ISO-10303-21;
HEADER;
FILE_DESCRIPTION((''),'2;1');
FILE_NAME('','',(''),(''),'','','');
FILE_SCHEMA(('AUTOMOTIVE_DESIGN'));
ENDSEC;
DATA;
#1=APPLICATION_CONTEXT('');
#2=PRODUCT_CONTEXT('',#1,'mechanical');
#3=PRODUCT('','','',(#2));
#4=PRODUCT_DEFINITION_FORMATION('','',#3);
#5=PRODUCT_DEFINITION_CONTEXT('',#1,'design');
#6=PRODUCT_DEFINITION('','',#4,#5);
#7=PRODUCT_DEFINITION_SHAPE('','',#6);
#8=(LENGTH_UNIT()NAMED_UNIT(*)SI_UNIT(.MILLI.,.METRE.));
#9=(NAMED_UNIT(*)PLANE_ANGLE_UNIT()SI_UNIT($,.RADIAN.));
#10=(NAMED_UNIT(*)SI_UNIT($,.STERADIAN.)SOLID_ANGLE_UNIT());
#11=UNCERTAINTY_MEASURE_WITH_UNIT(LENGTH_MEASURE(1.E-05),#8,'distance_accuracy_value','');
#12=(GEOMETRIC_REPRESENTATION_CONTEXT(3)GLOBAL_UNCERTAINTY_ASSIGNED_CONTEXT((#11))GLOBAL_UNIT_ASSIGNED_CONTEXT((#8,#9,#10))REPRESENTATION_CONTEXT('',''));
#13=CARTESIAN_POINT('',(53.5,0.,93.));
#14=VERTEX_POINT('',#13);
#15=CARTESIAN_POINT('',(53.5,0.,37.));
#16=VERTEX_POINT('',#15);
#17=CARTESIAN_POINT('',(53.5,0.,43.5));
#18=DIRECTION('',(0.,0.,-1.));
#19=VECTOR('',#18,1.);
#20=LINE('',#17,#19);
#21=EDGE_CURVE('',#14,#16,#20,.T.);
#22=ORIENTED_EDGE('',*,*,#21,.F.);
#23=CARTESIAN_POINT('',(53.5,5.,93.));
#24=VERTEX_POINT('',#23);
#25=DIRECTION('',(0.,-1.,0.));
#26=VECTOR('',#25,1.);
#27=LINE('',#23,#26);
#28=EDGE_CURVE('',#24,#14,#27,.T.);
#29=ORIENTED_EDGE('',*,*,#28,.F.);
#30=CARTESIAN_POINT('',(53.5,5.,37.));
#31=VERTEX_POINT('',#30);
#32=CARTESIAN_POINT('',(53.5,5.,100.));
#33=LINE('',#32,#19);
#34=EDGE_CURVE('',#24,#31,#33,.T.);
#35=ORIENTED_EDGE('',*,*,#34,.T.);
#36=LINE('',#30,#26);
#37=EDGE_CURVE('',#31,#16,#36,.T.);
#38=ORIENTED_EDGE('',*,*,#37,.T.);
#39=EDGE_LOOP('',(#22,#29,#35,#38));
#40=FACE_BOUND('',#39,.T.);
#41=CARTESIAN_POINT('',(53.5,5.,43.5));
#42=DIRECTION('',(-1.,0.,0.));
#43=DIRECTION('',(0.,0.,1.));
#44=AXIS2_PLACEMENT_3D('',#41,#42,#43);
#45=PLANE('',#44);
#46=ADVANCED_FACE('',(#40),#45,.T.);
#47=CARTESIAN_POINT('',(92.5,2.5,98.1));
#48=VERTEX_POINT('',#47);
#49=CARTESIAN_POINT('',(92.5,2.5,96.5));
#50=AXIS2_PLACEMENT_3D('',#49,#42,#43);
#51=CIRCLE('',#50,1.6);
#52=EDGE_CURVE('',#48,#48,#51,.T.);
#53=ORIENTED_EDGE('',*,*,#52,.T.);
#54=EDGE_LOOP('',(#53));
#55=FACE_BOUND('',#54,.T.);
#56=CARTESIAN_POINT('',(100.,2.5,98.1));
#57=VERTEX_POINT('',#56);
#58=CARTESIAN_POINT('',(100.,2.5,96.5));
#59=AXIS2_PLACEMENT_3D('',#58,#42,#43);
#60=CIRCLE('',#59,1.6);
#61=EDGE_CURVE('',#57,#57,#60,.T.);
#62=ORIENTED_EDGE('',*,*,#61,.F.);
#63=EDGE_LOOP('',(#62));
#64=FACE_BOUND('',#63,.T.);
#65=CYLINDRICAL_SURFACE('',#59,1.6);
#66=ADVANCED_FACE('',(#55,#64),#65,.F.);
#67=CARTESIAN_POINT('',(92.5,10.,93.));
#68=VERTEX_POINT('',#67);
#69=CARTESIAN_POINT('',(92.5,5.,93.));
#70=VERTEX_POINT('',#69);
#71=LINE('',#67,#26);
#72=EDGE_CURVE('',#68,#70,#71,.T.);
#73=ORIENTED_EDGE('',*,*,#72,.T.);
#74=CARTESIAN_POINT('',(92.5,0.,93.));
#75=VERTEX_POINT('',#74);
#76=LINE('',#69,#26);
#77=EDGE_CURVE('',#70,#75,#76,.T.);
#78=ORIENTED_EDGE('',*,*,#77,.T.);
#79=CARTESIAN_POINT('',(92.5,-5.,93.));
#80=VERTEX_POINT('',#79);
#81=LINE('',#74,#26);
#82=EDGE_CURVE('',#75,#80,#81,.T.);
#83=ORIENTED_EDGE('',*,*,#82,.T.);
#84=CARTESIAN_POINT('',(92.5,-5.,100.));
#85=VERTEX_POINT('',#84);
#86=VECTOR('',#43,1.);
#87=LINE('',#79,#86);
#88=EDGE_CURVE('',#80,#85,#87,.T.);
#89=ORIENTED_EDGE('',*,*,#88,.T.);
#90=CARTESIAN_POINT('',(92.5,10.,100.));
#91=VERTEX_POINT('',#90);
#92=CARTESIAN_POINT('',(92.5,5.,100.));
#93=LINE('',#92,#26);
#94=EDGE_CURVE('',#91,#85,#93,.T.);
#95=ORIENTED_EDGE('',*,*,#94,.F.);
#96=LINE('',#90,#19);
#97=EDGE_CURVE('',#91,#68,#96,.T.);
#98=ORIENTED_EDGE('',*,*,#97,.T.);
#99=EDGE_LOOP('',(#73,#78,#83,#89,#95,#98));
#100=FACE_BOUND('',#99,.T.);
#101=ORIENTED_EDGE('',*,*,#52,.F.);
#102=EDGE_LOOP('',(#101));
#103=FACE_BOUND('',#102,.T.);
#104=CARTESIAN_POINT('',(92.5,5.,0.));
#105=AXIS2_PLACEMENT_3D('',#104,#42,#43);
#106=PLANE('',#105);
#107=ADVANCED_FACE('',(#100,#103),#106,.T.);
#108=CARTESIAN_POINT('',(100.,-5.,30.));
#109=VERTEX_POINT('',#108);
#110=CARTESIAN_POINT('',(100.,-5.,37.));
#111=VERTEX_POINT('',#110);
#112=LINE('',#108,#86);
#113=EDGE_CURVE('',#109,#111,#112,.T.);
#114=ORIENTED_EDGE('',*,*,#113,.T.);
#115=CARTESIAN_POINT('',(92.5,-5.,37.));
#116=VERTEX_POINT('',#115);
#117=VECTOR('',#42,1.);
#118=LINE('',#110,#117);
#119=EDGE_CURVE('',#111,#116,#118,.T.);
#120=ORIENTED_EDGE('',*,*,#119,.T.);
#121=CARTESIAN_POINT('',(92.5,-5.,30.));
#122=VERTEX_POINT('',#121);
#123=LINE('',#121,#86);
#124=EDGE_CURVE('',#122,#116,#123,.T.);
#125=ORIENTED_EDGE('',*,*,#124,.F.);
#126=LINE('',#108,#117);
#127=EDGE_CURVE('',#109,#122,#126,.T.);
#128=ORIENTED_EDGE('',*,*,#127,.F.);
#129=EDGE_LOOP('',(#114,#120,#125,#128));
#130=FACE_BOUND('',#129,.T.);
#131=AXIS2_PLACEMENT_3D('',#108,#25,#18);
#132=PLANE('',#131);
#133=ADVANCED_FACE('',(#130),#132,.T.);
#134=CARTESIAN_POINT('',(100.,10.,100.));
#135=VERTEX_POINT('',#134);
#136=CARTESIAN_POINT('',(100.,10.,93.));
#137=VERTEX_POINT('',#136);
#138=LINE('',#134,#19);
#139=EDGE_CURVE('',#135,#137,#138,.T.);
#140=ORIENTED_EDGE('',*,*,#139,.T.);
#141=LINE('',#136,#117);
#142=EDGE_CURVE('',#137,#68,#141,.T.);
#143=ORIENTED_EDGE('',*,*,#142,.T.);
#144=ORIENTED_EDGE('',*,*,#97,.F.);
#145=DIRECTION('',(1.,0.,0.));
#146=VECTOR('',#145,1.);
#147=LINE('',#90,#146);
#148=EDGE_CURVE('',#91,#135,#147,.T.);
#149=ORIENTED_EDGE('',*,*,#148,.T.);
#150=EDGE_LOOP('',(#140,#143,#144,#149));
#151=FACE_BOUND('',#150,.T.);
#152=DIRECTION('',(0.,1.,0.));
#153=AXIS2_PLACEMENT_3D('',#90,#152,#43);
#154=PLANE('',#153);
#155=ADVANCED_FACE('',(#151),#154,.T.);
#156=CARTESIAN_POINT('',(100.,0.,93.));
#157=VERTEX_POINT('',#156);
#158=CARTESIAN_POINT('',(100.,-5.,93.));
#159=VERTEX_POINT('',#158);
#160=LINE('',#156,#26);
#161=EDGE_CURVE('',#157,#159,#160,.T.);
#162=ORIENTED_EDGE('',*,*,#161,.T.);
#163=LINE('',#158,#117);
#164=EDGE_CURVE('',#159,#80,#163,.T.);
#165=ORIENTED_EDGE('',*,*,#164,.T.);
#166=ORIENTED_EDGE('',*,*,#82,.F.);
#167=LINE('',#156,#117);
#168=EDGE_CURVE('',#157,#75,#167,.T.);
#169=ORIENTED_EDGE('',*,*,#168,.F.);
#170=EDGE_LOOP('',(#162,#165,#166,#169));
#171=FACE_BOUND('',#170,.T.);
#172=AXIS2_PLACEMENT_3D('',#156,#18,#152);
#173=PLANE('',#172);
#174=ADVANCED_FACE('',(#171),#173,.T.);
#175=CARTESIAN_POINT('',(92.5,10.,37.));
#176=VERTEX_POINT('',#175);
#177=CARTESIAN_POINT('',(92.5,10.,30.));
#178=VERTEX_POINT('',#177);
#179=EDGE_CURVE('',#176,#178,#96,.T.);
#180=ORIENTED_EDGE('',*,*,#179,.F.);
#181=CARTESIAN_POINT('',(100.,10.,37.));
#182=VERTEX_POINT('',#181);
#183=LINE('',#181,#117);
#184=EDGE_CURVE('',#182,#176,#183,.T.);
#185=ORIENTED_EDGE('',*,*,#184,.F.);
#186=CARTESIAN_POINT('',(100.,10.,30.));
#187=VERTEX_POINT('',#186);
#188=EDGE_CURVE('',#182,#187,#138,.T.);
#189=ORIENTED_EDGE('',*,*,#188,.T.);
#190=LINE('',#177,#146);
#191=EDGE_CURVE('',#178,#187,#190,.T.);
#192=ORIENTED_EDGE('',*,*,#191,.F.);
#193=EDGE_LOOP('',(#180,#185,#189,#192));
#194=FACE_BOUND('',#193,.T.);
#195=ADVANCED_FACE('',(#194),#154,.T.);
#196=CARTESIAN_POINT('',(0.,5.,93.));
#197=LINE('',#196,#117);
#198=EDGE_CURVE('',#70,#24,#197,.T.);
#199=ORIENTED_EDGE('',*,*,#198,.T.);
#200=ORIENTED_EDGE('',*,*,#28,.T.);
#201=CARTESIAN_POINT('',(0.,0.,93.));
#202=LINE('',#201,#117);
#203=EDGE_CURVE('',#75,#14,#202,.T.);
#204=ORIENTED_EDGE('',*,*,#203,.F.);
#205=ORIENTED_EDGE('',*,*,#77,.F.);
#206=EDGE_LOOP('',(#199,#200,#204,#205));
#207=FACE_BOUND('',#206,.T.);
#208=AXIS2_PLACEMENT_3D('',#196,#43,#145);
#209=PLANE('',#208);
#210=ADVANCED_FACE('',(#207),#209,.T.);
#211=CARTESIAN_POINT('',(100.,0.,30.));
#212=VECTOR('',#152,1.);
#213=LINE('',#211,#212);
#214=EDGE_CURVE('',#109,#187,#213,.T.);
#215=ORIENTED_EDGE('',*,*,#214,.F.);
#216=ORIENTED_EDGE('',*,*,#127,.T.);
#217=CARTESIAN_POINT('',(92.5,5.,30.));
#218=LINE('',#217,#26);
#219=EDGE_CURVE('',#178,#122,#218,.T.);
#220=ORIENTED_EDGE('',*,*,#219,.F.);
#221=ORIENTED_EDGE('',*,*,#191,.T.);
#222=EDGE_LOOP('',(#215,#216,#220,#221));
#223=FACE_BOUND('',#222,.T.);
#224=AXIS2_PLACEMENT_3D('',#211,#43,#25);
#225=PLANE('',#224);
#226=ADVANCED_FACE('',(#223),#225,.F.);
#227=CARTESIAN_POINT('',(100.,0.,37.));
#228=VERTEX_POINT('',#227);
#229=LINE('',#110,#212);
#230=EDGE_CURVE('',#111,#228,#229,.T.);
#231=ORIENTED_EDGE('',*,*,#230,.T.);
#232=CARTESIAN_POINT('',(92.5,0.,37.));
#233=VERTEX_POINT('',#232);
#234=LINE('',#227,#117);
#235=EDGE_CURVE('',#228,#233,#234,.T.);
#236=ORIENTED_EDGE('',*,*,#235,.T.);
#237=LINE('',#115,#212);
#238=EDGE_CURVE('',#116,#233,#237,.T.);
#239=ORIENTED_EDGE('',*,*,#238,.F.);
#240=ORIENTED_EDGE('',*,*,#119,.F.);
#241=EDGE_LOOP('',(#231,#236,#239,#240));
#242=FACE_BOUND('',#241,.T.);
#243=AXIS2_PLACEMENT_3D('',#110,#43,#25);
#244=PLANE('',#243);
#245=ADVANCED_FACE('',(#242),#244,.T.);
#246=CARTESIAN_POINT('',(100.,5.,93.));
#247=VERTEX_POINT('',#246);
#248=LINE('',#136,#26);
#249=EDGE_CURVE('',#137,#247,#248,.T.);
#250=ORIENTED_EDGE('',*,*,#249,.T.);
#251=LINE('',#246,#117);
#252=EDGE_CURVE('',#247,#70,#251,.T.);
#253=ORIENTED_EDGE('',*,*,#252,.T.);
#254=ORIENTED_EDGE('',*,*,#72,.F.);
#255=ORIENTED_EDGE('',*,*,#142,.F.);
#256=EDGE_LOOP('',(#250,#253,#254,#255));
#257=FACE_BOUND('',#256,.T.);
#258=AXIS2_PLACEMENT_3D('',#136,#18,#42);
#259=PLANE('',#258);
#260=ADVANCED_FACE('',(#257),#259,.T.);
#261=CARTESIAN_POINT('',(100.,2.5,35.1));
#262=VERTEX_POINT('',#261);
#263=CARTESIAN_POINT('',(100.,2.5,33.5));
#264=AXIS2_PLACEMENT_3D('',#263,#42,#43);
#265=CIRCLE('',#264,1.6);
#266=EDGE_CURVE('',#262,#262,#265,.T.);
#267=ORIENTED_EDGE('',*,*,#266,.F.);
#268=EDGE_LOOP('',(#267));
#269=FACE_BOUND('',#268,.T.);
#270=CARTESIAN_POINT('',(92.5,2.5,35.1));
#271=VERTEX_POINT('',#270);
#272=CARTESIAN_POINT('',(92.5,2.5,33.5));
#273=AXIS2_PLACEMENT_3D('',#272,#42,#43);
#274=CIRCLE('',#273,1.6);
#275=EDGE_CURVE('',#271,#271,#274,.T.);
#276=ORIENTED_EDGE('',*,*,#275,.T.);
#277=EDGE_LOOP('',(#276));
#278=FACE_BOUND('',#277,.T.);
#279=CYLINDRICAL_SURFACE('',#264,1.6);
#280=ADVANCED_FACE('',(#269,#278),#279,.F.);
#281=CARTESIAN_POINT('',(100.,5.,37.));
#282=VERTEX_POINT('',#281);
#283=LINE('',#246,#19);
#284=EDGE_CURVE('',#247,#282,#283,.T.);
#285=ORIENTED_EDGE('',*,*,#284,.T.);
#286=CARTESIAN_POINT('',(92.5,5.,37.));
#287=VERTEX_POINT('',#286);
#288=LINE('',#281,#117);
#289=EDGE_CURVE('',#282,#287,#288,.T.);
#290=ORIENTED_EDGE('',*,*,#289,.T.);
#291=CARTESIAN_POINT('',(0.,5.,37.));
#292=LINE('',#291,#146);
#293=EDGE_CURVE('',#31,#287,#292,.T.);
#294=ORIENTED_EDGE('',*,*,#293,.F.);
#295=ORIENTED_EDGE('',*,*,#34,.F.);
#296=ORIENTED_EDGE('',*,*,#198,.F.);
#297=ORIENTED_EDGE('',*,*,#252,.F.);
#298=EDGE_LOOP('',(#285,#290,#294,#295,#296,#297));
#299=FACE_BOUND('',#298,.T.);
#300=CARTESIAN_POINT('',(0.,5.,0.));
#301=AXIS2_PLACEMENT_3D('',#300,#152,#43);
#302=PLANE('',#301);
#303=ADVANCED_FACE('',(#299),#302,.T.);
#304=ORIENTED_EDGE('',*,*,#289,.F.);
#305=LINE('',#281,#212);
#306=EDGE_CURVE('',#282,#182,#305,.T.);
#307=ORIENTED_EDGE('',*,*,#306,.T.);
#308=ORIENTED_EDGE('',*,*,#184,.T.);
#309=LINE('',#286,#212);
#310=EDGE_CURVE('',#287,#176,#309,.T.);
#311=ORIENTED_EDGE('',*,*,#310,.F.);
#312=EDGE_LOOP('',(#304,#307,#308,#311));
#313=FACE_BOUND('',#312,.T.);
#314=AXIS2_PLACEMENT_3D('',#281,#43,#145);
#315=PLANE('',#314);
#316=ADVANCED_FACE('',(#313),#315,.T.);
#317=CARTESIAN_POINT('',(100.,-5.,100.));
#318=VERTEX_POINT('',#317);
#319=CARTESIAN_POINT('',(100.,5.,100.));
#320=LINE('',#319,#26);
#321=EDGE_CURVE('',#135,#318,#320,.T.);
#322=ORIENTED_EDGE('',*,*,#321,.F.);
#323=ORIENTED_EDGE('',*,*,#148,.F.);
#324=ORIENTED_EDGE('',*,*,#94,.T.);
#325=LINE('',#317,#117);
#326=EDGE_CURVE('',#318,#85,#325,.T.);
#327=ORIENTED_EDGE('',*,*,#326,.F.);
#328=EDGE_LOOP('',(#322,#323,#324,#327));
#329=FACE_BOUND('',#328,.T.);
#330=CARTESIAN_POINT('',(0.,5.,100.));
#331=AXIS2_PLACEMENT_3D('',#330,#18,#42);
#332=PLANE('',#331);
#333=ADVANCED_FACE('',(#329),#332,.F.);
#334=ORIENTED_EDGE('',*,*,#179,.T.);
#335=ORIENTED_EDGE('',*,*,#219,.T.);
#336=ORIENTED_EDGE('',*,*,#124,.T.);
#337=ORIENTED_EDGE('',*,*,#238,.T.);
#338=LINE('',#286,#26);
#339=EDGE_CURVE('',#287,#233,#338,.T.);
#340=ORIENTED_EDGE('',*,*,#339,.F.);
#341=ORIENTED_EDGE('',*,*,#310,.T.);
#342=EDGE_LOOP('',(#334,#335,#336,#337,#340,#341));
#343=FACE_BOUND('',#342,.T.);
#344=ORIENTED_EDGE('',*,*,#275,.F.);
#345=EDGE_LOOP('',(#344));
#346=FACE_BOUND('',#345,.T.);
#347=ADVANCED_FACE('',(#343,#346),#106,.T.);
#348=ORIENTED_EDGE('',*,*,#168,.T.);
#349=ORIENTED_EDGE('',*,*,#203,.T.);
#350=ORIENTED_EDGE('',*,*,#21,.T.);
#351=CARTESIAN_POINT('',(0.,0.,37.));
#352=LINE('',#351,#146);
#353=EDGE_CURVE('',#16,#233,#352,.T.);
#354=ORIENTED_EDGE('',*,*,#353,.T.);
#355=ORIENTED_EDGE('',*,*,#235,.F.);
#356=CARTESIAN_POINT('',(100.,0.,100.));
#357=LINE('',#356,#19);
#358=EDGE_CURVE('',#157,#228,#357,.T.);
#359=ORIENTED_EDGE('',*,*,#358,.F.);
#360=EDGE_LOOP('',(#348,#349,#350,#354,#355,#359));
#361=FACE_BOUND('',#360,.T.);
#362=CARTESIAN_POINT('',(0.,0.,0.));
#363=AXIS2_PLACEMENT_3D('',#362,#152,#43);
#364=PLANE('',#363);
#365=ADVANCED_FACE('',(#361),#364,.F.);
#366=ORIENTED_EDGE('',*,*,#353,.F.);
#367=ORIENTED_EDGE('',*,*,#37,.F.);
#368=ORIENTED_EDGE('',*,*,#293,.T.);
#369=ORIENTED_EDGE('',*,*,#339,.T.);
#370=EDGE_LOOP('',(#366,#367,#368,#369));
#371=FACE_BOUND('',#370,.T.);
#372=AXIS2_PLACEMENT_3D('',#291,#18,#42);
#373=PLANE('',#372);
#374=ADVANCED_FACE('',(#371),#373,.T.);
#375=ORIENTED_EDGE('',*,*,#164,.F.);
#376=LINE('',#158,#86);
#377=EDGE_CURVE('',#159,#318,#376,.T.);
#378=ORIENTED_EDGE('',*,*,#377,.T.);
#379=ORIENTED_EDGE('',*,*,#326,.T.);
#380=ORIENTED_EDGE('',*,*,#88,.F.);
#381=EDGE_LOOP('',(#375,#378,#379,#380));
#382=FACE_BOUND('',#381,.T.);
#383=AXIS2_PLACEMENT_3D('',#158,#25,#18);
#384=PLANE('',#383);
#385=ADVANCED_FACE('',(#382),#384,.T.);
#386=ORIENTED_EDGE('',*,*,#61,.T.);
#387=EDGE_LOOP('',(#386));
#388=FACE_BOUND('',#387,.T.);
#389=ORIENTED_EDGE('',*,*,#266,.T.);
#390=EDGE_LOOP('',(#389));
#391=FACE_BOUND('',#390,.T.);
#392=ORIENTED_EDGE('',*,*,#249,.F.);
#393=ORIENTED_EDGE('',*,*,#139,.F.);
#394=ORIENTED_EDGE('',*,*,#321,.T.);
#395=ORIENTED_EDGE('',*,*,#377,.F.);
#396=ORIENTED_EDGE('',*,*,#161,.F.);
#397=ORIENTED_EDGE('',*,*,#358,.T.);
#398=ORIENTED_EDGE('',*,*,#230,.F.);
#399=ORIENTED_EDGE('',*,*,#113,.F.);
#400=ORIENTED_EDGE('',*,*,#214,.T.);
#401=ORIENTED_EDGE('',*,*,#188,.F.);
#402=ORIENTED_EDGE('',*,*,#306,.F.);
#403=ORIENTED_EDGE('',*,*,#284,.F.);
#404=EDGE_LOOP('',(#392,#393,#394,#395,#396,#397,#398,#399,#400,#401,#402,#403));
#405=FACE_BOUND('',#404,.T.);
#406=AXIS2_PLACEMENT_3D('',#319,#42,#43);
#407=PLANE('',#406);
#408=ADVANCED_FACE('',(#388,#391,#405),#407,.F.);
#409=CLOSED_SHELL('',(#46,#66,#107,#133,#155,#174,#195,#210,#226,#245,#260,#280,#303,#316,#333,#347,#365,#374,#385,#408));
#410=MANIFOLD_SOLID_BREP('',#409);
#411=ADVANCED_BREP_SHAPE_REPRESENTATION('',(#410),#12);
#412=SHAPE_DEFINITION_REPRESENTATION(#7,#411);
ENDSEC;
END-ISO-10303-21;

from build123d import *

# Parameters (mm, degrees)
SKETCH_1_W          = 100
SKETCH_1_H          = 100
EXTRUDE_1_DEPTH     = 5
SKETCH_2_W          = 30
SKETCH_2_H          = 5
CUT_EXTRUDE_1_DEPTH = 100
CUT_EXTRUDE_2_DEPTH = 5
SKETCH_4_W          = 39
SKETCH_4_H          = 7
CUT_EXTRUDE_3_DEPTH = 5
SKETCH_5_W          = 7.5
SKETCH_5_H          = 5
EXTRUDE_2_DEPTH     = 70
SKETCH_6_W          = 56
SKETCH_6_H          = 5
CUT_EXTRUDE_5_DEPTH = 7.5
SKETCH_7_W          = 7
SKETCH_7_H          = 5
EXTRUDE_3_DEPTH     = 7.5
CUT_EXTRUDE_6_DEPTH = 7.5


with BuildPart() as part:
    # 草图1 → 凸台-拉伸1 (new body)
    with BuildSketch(Plane(origin=(0, 0, 0), x_dir=(1, 0, 0), z_dir=(0, 1, 0))):
        with Locations((50, -50)):
            Rectangle(SKETCH_1_W, SKETCH_1_H)
    extrude(amount=EXTRUDE_1_DEPTH)

    # 草图2 → 切除-拉伸1 (cut)
    with BuildSketch(Plane.ZY):
        with Locations((15, 2.5)):
            Rectangle(SKETCH_2_W, SKETCH_2_H)
    extrude(amount=-CUT_EXTRUDE_1_DEPTH, mode=Mode.SUBTRACT)

    # 草图3 → 切除-拉伸2 (cut)
    with BuildSketch(Plane.XZ):
        Polygon((53.5, 43.5), (53.5, 30), (0, 30), (0, 100), (53.5, 100), align=None)
    extrude(amount=-CUT_EXTRUDE_2_DEPTH, mode=Mode.SUBTRACT)

    # 草图4 → 切除-拉伸3 (cut)
    with BuildSketch(Plane.XZ):
        with Locations((73, 33.5)):
            Rectangle(SKETCH_4_W, SKETCH_4_H)
        with Locations((73, 96.5)):
            Rectangle(SKETCH_4_W, SKETCH_4_H)
    extrude(amount=-CUT_EXTRUDE_3_DEPTH, mode=Mode.SUBTRACT)

    # 草图5 → 凸台-拉伸2 (add)
    with BuildSketch(Plane(origin=(0, 0, 30), x_dir=(-1, 0, 0), z_dir=(0, 0, -1))):
        with Locations((-96.25, 7.5)):
            Rectangle(SKETCH_5_W, SKETCH_5_H)
    extrude(amount=-EXTRUDE_2_DEPTH)

    # 草图6 → 切除-拉伸5 (cut)
    with BuildSketch(Plane.ZY.offset(-92.5)):
        with Locations((65, 7.5)):
            Rectangle(SKETCH_6_W, SKETCH_6_H)
    extrude(amount=-CUT_EXTRUDE_5_DEPTH, mode=Mode.SUBTRACT)

    # 草图7 → 凸台-拉伸3 (add)
    with BuildSketch(Plane.ZY.offset(-92.5)):
        with Locations((33.5, -2.5)):
            Rectangle(SKETCH_7_W, SKETCH_7_H)
        with Locations((96.5, -2.5)):
            Rectangle(SKETCH_7_W, SKETCH_7_H)
    extrude(amount=-EXTRUDE_3_DEPTH)

    # 草图8 → 切除-拉伸6 (cut)
    with BuildSketch(Plane.ZY.offset(-92.5)):
        with BuildLine():
            ThreePointArc((32.198026446, 3.42998111), (32.57001889, 1.198026446), (34.801973554, 1.57001889))
            Line((34.801973554, 1.57001889), (32.198026446, 3.42998111))
        make_face()
        with BuildLine():
            Line((32.198026446, 3.42998111), (34.801973554, 1.57001889))
            ThreePointArc((34.801973554, 1.57001889), (35.023672814, 2.01171611), (35.1, 2.5))
            ThreePointArc((35.1, 2.5), (33.98828389, 4.023672814), (32.198026446, 3.42998111))
        make_face()
        with BuildLine():
            ThreePointArc((98.1, 2.5), (96.98828389, 4.023672814), (95.198026446, 3.42998111))
            Line((95.198026446, 3.42998111), (97.801973554, 1.57001889))
            ThreePointArc((97.801973554, 1.57001889), (98.023672814, 2.01171611), (98.1, 2.5))
        make_face()
        with BuildLine():
            Line((97.801973554, 1.57001889), (95.198026446, 3.42998111))
            ThreePointArc((95.198026446, 3.42998111), (95.57001889, 1.198026446), (97.801973554, 1.57001889))
        make_face()
    extrude(amount=-CUT_EXTRUDE_6_DEPTH, mode=Mode.SUBTRACT)


solid = part.part
